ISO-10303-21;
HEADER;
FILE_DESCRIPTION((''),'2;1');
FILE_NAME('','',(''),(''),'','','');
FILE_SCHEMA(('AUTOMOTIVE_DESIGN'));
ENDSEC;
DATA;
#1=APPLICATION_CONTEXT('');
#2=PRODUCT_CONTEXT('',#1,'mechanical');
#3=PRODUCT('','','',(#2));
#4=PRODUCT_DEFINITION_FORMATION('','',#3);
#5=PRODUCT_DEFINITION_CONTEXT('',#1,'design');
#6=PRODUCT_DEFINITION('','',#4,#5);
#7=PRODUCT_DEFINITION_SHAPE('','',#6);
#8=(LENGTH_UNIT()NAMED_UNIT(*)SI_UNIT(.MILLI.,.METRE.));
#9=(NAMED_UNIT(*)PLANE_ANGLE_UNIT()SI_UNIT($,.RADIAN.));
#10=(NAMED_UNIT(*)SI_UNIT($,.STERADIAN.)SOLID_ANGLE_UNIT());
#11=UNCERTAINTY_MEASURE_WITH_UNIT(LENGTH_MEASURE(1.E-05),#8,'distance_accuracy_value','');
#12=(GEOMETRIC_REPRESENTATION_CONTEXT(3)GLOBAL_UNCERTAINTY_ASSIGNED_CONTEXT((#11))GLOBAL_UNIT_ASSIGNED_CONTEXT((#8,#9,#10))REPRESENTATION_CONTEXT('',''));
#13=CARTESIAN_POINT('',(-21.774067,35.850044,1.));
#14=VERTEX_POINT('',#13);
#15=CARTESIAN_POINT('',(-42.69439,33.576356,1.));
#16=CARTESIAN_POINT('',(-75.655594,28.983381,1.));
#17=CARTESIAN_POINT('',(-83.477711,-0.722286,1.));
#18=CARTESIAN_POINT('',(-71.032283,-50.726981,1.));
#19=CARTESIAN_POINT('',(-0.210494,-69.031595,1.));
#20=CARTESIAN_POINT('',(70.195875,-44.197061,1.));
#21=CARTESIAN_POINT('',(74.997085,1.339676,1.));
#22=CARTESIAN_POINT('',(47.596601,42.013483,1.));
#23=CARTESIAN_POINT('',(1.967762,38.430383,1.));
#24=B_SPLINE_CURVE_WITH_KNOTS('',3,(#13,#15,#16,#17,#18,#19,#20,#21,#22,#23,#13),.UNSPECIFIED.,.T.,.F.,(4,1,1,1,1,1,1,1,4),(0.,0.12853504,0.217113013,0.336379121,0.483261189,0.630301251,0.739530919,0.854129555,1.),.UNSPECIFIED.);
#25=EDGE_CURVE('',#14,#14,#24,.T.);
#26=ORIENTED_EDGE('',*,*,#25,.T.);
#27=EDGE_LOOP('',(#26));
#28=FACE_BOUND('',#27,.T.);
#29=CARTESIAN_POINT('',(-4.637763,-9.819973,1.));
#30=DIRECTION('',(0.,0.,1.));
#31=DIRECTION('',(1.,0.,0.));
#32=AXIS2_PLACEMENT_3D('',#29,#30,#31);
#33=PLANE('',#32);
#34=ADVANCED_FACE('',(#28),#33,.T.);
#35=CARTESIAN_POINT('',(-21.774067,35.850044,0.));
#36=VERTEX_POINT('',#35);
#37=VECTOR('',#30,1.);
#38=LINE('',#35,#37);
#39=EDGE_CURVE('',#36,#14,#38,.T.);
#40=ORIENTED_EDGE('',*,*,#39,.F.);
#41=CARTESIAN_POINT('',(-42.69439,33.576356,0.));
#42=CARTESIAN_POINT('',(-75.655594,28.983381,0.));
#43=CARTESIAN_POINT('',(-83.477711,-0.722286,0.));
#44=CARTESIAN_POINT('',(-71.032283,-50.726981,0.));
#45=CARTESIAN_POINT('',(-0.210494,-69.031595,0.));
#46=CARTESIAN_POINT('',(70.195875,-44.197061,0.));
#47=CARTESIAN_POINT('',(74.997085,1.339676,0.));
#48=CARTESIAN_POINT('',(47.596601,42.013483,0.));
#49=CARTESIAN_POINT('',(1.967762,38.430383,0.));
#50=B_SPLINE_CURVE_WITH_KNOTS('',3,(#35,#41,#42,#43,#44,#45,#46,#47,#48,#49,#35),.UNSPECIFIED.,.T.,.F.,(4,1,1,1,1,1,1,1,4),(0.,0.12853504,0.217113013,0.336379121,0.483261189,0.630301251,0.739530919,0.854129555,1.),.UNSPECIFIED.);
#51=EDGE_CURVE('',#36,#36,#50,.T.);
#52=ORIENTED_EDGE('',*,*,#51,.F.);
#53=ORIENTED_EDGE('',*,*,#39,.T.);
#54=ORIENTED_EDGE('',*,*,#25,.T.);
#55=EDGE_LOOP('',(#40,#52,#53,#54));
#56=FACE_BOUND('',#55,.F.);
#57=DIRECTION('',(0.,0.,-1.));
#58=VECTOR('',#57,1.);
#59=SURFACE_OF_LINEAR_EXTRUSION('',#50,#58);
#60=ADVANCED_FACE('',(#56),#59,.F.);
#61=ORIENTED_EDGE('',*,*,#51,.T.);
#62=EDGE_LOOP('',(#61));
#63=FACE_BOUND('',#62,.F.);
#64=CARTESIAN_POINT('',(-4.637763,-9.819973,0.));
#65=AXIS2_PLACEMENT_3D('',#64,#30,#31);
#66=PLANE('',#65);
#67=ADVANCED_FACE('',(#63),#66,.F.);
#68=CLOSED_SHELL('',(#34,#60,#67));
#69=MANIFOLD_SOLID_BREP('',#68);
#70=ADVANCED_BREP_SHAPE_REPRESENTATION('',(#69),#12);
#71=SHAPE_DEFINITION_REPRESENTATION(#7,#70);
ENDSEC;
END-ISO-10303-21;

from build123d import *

# Parameters (mm, degrees)
F1_DEPTH = 1


with BuildPart() as f1:
    # F0 (on Top) → F1 (new body)
    with BuildSketch(Plane.XY):
        with BuildLine():
            add(Edge.make_bspline(
                [(-21.7740666121, 35.8500443399), (-42.6943902154, 33.5763563621), (-75.6555942492, 28.9833813449), (-83.4777112987, -0.7222856934), (-71.0322830063, -50.726980966), (-0.2104936641, -69.0315947976), (70.1958748137, -44.1970606894), (74.9970847977, 1.3396761182), (47.5966014629, 42.0134825078), (1.9677622802, 38.4303825768), (-21.7740666121, 35.8500443399)],
                knots=[0, 0, 0, 0, 0.1285350395, 0.217113013, 0.3363791207, 0.4832611888, 0.6303012512, 0.7395309192, 0.8541295549, 1, 1, 1, 1], degree=3))
        make_face()
    extrude(amount=F1_DEPTH)


solid = f1.part
